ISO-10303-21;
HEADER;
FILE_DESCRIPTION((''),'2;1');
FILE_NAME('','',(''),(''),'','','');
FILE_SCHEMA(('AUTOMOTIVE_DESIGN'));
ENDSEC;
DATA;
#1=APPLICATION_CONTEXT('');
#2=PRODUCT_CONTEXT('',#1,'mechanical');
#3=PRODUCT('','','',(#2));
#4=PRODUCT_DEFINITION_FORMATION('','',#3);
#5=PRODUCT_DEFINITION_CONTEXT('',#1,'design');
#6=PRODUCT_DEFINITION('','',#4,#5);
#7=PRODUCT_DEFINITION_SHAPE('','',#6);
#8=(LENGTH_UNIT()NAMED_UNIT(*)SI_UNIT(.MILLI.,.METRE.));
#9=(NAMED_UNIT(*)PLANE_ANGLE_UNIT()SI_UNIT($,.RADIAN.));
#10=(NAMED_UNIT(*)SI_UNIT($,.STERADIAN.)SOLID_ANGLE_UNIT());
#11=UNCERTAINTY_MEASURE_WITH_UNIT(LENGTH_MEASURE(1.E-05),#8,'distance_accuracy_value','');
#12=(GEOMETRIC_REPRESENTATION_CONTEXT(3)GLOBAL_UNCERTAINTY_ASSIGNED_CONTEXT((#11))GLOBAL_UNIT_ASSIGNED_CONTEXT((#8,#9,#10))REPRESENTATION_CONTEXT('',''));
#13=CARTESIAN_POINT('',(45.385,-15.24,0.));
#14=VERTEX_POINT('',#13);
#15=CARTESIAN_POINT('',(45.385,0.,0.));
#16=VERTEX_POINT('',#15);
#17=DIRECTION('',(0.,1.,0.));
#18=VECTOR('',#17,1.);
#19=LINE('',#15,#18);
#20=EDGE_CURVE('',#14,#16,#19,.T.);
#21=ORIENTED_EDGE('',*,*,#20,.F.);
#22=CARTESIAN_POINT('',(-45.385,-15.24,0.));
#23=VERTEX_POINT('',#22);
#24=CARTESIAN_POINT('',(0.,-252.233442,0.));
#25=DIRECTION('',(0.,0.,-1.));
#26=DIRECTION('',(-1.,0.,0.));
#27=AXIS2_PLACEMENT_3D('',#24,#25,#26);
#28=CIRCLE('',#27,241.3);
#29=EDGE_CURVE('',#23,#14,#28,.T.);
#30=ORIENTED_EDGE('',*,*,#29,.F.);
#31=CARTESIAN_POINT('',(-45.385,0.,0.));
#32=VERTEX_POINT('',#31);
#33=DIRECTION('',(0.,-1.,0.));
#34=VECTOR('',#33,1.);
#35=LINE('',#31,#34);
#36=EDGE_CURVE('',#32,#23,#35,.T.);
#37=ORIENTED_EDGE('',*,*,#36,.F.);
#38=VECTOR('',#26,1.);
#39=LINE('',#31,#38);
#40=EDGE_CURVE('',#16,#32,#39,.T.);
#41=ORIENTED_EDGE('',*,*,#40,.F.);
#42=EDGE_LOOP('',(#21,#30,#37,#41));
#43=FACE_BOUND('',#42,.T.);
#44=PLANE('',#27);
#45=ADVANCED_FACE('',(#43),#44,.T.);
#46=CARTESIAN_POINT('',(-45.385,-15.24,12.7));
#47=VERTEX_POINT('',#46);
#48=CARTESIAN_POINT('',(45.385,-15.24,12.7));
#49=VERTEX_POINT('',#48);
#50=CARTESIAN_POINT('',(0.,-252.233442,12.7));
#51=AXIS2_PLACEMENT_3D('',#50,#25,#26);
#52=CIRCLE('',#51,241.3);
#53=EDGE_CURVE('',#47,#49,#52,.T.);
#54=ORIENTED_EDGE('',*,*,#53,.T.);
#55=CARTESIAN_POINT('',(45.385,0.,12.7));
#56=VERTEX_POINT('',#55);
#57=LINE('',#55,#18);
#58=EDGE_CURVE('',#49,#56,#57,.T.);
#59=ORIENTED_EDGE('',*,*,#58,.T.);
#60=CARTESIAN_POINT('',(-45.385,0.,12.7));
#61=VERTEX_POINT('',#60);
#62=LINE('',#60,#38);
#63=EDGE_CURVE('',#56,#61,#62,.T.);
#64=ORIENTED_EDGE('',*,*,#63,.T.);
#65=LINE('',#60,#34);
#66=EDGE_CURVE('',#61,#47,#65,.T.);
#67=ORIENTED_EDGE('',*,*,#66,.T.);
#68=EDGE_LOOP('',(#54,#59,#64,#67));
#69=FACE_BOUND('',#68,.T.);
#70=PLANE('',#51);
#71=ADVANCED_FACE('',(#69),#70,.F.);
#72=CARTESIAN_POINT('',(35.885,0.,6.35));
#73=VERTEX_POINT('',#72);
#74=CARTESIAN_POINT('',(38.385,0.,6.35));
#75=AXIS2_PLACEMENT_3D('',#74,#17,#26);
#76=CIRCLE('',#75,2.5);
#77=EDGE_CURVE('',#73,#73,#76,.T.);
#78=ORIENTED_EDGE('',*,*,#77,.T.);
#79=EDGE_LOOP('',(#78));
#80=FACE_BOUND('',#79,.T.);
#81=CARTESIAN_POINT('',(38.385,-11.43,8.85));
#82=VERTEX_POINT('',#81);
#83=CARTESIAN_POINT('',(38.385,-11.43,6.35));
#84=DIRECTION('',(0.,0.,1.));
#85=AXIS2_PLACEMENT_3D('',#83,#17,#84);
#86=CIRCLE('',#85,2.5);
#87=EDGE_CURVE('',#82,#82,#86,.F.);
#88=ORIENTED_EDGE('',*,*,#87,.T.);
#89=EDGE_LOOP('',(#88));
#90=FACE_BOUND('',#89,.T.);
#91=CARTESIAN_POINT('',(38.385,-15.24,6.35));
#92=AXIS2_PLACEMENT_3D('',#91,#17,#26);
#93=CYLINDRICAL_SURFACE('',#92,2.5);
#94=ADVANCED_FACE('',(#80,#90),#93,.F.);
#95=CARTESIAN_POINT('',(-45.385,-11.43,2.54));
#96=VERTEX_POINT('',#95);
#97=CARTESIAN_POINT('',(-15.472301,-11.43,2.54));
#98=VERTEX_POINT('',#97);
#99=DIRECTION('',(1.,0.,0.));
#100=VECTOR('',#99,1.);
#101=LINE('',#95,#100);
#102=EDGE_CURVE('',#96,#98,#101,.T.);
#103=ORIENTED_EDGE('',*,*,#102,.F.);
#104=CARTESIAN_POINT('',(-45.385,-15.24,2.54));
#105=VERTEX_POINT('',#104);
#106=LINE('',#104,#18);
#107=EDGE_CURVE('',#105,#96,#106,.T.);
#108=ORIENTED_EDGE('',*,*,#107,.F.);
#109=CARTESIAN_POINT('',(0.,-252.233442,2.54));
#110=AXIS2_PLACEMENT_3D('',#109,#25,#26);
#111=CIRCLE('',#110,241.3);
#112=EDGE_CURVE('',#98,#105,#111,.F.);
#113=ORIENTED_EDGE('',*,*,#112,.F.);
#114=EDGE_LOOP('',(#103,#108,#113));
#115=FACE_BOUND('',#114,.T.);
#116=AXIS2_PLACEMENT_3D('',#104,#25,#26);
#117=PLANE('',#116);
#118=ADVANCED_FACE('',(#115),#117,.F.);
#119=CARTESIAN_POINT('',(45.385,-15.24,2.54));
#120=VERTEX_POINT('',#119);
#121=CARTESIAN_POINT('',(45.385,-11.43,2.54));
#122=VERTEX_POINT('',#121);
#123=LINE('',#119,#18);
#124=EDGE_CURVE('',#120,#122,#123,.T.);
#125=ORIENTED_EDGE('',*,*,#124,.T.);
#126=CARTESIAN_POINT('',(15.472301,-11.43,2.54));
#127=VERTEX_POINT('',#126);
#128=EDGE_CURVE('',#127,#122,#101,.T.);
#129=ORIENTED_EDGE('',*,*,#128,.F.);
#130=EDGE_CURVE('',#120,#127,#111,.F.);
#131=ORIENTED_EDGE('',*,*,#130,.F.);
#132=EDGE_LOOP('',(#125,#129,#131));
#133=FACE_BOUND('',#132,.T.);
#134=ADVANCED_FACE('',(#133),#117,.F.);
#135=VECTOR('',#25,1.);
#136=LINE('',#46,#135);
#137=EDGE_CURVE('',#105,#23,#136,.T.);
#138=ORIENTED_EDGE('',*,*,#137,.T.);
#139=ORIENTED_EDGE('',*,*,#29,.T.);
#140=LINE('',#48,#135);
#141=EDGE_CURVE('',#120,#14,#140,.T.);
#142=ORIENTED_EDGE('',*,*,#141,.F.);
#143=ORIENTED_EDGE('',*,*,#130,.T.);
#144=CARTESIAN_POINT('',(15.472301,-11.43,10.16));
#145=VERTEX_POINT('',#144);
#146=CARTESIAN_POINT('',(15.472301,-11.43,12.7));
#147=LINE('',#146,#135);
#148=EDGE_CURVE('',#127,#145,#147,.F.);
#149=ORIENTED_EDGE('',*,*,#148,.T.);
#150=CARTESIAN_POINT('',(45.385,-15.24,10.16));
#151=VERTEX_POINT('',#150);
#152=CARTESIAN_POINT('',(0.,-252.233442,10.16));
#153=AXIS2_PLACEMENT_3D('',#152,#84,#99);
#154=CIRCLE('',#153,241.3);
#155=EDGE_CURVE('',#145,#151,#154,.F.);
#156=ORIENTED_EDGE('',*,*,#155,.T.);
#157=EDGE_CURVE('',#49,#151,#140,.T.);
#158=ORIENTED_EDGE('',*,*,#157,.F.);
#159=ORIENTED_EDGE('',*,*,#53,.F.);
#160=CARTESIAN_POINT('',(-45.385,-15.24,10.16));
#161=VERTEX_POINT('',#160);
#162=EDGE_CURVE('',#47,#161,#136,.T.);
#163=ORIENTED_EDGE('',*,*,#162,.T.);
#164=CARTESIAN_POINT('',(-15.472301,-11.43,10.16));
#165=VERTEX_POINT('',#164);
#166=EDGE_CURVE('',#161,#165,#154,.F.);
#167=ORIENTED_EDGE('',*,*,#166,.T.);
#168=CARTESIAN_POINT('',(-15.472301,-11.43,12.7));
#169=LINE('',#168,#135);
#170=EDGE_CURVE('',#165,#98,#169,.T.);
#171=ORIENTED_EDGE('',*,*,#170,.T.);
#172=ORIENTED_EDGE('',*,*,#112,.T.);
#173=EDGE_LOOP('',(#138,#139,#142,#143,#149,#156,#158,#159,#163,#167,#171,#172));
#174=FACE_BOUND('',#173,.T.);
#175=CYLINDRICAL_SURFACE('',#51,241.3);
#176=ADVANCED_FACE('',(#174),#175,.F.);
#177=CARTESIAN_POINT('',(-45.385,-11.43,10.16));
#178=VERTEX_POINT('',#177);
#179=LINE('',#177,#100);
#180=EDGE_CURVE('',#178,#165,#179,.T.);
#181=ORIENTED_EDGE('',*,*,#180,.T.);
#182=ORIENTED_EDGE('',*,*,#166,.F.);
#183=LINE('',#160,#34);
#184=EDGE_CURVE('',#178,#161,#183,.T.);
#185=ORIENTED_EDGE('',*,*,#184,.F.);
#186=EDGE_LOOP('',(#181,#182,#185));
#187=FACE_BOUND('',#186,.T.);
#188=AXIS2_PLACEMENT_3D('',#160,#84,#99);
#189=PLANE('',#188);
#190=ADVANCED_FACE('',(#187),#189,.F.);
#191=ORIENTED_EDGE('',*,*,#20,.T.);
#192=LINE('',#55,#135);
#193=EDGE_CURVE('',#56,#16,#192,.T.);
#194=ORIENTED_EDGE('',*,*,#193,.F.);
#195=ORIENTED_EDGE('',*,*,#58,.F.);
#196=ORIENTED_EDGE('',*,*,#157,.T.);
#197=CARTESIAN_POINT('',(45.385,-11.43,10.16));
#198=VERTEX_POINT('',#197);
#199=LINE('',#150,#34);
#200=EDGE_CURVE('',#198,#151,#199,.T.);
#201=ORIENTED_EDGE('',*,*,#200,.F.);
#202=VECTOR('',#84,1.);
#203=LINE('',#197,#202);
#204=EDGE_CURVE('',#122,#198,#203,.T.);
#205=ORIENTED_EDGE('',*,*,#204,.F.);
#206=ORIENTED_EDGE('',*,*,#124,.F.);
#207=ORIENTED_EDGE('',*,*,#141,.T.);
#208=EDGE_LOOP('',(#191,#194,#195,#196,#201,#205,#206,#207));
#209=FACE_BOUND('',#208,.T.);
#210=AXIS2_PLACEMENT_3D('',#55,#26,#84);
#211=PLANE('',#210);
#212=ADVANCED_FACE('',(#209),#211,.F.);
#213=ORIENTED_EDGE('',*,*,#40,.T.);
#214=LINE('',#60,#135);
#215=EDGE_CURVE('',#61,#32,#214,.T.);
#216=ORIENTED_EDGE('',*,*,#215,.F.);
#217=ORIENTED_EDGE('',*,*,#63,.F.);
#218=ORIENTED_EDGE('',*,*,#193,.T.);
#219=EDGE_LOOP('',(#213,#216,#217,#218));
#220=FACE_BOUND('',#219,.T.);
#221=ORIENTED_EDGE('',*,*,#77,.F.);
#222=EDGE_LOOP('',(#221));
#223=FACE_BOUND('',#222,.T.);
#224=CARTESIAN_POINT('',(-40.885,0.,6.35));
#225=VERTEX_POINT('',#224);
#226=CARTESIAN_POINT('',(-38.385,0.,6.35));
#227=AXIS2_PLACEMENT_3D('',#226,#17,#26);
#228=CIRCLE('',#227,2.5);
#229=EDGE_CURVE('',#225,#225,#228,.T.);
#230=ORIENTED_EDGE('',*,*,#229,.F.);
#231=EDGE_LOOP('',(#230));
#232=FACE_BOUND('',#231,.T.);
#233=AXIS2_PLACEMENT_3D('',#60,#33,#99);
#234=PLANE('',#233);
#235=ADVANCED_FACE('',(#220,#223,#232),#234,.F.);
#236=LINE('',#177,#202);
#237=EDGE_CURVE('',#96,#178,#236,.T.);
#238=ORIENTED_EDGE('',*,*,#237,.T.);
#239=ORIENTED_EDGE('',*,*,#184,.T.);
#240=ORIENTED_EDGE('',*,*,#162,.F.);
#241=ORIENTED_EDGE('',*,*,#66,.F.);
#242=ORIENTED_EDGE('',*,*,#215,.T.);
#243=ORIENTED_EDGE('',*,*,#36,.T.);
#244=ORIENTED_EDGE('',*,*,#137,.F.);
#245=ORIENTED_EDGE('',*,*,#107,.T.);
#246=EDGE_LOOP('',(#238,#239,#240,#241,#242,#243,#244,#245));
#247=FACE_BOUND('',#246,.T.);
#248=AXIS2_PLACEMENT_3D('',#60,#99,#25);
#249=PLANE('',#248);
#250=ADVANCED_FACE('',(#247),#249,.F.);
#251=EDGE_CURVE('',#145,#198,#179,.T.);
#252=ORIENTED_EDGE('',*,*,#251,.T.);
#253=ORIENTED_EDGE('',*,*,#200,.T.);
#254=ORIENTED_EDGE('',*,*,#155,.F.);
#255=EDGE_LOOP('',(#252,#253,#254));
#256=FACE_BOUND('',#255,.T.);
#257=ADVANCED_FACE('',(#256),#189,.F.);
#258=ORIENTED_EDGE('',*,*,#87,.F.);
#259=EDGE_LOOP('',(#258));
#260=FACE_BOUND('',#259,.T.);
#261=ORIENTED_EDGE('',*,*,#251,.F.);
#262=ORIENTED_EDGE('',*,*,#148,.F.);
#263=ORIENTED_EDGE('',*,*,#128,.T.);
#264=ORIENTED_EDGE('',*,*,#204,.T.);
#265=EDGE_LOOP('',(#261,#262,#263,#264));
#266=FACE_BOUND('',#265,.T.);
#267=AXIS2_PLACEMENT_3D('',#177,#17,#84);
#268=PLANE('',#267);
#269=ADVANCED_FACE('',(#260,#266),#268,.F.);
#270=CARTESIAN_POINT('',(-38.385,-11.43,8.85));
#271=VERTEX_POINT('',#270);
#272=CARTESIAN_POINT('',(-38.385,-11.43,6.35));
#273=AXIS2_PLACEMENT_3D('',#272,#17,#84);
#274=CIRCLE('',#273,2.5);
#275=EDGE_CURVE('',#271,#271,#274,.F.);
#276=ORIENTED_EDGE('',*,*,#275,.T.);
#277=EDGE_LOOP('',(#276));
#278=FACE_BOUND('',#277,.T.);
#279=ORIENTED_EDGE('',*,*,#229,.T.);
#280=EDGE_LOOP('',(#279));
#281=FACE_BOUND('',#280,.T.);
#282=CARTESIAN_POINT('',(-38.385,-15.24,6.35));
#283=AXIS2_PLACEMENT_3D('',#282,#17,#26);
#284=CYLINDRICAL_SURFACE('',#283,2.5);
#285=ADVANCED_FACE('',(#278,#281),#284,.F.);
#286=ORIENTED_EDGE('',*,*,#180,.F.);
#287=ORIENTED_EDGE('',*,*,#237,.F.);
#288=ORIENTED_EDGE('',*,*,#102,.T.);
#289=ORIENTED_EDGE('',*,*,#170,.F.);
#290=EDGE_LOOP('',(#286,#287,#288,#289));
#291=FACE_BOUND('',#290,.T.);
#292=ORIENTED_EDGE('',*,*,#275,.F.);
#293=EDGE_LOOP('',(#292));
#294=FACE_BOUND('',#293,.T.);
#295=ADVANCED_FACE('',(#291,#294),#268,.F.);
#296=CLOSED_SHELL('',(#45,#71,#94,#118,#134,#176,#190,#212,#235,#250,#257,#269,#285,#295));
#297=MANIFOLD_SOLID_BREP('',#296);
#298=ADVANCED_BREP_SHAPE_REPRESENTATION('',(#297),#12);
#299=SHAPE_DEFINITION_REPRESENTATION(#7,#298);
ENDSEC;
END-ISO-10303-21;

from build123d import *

# Parameters (mm, degrees)
BOSS_EXTRUDE1_DEPTH = 12.7
SKETCH2_R           = 2.5
CUT_EXTRUDE1_DEPTH  = 16.24
SKETCH3_W           = 7.62
SKETCH3_H           = 3.81
CUT_EXTRUDE2_DEPTH  = 91.7700001


with BuildPart() as part:
    # Sketch1 → Boss-Extrude1 (new body)
    with BuildSketch(Plane.XY):
        with BuildLine():
            Line((-45.385, 0), (45.385, 0))
            Line((45.385, 0), (45.385, -15.24))
            ThreePointArc((45.385, -15.24), (0, -10.933442473), (-45.385, -15.24))
            Line((-45.385, -15.24), (-45.385, 0))
        make_face()
    extrude(amount=BOSS_EXTRUDE1_DEPTH)

    # Sketch2 → Cut-Extrude1 (cut, through all)
    with BuildSketch(Plane(origin=(0, 0, 0), x_dir=(1, 0, 0), z_dir=(0, 1, 0))):
        with Locations((-38.385, -6.35)):
            Circle(SKETCH2_R)
        with Locations((38.385, -6.35)):
            Circle(SKETCH2_R)
    extrude(amount=-CUT_EXTRUDE1_DEPTH, mode=Mode.SUBTRACT)

    # Sketch3 → Cut-Extrude2 (cut, through all)
    with BuildSketch(Plane(origin=(45.385, 0, 0), x_dir=(0, 0, -1), z_dir=(1, 0, 0))):
        with Locations((-6.35, -13.335)):
            Rectangle(SKETCH3_W, SKETCH3_H)
    extrude(amount=-CUT_EXTRUDE2_DEPTH, mode=Mode.SUBTRACT)


solid = part.part
